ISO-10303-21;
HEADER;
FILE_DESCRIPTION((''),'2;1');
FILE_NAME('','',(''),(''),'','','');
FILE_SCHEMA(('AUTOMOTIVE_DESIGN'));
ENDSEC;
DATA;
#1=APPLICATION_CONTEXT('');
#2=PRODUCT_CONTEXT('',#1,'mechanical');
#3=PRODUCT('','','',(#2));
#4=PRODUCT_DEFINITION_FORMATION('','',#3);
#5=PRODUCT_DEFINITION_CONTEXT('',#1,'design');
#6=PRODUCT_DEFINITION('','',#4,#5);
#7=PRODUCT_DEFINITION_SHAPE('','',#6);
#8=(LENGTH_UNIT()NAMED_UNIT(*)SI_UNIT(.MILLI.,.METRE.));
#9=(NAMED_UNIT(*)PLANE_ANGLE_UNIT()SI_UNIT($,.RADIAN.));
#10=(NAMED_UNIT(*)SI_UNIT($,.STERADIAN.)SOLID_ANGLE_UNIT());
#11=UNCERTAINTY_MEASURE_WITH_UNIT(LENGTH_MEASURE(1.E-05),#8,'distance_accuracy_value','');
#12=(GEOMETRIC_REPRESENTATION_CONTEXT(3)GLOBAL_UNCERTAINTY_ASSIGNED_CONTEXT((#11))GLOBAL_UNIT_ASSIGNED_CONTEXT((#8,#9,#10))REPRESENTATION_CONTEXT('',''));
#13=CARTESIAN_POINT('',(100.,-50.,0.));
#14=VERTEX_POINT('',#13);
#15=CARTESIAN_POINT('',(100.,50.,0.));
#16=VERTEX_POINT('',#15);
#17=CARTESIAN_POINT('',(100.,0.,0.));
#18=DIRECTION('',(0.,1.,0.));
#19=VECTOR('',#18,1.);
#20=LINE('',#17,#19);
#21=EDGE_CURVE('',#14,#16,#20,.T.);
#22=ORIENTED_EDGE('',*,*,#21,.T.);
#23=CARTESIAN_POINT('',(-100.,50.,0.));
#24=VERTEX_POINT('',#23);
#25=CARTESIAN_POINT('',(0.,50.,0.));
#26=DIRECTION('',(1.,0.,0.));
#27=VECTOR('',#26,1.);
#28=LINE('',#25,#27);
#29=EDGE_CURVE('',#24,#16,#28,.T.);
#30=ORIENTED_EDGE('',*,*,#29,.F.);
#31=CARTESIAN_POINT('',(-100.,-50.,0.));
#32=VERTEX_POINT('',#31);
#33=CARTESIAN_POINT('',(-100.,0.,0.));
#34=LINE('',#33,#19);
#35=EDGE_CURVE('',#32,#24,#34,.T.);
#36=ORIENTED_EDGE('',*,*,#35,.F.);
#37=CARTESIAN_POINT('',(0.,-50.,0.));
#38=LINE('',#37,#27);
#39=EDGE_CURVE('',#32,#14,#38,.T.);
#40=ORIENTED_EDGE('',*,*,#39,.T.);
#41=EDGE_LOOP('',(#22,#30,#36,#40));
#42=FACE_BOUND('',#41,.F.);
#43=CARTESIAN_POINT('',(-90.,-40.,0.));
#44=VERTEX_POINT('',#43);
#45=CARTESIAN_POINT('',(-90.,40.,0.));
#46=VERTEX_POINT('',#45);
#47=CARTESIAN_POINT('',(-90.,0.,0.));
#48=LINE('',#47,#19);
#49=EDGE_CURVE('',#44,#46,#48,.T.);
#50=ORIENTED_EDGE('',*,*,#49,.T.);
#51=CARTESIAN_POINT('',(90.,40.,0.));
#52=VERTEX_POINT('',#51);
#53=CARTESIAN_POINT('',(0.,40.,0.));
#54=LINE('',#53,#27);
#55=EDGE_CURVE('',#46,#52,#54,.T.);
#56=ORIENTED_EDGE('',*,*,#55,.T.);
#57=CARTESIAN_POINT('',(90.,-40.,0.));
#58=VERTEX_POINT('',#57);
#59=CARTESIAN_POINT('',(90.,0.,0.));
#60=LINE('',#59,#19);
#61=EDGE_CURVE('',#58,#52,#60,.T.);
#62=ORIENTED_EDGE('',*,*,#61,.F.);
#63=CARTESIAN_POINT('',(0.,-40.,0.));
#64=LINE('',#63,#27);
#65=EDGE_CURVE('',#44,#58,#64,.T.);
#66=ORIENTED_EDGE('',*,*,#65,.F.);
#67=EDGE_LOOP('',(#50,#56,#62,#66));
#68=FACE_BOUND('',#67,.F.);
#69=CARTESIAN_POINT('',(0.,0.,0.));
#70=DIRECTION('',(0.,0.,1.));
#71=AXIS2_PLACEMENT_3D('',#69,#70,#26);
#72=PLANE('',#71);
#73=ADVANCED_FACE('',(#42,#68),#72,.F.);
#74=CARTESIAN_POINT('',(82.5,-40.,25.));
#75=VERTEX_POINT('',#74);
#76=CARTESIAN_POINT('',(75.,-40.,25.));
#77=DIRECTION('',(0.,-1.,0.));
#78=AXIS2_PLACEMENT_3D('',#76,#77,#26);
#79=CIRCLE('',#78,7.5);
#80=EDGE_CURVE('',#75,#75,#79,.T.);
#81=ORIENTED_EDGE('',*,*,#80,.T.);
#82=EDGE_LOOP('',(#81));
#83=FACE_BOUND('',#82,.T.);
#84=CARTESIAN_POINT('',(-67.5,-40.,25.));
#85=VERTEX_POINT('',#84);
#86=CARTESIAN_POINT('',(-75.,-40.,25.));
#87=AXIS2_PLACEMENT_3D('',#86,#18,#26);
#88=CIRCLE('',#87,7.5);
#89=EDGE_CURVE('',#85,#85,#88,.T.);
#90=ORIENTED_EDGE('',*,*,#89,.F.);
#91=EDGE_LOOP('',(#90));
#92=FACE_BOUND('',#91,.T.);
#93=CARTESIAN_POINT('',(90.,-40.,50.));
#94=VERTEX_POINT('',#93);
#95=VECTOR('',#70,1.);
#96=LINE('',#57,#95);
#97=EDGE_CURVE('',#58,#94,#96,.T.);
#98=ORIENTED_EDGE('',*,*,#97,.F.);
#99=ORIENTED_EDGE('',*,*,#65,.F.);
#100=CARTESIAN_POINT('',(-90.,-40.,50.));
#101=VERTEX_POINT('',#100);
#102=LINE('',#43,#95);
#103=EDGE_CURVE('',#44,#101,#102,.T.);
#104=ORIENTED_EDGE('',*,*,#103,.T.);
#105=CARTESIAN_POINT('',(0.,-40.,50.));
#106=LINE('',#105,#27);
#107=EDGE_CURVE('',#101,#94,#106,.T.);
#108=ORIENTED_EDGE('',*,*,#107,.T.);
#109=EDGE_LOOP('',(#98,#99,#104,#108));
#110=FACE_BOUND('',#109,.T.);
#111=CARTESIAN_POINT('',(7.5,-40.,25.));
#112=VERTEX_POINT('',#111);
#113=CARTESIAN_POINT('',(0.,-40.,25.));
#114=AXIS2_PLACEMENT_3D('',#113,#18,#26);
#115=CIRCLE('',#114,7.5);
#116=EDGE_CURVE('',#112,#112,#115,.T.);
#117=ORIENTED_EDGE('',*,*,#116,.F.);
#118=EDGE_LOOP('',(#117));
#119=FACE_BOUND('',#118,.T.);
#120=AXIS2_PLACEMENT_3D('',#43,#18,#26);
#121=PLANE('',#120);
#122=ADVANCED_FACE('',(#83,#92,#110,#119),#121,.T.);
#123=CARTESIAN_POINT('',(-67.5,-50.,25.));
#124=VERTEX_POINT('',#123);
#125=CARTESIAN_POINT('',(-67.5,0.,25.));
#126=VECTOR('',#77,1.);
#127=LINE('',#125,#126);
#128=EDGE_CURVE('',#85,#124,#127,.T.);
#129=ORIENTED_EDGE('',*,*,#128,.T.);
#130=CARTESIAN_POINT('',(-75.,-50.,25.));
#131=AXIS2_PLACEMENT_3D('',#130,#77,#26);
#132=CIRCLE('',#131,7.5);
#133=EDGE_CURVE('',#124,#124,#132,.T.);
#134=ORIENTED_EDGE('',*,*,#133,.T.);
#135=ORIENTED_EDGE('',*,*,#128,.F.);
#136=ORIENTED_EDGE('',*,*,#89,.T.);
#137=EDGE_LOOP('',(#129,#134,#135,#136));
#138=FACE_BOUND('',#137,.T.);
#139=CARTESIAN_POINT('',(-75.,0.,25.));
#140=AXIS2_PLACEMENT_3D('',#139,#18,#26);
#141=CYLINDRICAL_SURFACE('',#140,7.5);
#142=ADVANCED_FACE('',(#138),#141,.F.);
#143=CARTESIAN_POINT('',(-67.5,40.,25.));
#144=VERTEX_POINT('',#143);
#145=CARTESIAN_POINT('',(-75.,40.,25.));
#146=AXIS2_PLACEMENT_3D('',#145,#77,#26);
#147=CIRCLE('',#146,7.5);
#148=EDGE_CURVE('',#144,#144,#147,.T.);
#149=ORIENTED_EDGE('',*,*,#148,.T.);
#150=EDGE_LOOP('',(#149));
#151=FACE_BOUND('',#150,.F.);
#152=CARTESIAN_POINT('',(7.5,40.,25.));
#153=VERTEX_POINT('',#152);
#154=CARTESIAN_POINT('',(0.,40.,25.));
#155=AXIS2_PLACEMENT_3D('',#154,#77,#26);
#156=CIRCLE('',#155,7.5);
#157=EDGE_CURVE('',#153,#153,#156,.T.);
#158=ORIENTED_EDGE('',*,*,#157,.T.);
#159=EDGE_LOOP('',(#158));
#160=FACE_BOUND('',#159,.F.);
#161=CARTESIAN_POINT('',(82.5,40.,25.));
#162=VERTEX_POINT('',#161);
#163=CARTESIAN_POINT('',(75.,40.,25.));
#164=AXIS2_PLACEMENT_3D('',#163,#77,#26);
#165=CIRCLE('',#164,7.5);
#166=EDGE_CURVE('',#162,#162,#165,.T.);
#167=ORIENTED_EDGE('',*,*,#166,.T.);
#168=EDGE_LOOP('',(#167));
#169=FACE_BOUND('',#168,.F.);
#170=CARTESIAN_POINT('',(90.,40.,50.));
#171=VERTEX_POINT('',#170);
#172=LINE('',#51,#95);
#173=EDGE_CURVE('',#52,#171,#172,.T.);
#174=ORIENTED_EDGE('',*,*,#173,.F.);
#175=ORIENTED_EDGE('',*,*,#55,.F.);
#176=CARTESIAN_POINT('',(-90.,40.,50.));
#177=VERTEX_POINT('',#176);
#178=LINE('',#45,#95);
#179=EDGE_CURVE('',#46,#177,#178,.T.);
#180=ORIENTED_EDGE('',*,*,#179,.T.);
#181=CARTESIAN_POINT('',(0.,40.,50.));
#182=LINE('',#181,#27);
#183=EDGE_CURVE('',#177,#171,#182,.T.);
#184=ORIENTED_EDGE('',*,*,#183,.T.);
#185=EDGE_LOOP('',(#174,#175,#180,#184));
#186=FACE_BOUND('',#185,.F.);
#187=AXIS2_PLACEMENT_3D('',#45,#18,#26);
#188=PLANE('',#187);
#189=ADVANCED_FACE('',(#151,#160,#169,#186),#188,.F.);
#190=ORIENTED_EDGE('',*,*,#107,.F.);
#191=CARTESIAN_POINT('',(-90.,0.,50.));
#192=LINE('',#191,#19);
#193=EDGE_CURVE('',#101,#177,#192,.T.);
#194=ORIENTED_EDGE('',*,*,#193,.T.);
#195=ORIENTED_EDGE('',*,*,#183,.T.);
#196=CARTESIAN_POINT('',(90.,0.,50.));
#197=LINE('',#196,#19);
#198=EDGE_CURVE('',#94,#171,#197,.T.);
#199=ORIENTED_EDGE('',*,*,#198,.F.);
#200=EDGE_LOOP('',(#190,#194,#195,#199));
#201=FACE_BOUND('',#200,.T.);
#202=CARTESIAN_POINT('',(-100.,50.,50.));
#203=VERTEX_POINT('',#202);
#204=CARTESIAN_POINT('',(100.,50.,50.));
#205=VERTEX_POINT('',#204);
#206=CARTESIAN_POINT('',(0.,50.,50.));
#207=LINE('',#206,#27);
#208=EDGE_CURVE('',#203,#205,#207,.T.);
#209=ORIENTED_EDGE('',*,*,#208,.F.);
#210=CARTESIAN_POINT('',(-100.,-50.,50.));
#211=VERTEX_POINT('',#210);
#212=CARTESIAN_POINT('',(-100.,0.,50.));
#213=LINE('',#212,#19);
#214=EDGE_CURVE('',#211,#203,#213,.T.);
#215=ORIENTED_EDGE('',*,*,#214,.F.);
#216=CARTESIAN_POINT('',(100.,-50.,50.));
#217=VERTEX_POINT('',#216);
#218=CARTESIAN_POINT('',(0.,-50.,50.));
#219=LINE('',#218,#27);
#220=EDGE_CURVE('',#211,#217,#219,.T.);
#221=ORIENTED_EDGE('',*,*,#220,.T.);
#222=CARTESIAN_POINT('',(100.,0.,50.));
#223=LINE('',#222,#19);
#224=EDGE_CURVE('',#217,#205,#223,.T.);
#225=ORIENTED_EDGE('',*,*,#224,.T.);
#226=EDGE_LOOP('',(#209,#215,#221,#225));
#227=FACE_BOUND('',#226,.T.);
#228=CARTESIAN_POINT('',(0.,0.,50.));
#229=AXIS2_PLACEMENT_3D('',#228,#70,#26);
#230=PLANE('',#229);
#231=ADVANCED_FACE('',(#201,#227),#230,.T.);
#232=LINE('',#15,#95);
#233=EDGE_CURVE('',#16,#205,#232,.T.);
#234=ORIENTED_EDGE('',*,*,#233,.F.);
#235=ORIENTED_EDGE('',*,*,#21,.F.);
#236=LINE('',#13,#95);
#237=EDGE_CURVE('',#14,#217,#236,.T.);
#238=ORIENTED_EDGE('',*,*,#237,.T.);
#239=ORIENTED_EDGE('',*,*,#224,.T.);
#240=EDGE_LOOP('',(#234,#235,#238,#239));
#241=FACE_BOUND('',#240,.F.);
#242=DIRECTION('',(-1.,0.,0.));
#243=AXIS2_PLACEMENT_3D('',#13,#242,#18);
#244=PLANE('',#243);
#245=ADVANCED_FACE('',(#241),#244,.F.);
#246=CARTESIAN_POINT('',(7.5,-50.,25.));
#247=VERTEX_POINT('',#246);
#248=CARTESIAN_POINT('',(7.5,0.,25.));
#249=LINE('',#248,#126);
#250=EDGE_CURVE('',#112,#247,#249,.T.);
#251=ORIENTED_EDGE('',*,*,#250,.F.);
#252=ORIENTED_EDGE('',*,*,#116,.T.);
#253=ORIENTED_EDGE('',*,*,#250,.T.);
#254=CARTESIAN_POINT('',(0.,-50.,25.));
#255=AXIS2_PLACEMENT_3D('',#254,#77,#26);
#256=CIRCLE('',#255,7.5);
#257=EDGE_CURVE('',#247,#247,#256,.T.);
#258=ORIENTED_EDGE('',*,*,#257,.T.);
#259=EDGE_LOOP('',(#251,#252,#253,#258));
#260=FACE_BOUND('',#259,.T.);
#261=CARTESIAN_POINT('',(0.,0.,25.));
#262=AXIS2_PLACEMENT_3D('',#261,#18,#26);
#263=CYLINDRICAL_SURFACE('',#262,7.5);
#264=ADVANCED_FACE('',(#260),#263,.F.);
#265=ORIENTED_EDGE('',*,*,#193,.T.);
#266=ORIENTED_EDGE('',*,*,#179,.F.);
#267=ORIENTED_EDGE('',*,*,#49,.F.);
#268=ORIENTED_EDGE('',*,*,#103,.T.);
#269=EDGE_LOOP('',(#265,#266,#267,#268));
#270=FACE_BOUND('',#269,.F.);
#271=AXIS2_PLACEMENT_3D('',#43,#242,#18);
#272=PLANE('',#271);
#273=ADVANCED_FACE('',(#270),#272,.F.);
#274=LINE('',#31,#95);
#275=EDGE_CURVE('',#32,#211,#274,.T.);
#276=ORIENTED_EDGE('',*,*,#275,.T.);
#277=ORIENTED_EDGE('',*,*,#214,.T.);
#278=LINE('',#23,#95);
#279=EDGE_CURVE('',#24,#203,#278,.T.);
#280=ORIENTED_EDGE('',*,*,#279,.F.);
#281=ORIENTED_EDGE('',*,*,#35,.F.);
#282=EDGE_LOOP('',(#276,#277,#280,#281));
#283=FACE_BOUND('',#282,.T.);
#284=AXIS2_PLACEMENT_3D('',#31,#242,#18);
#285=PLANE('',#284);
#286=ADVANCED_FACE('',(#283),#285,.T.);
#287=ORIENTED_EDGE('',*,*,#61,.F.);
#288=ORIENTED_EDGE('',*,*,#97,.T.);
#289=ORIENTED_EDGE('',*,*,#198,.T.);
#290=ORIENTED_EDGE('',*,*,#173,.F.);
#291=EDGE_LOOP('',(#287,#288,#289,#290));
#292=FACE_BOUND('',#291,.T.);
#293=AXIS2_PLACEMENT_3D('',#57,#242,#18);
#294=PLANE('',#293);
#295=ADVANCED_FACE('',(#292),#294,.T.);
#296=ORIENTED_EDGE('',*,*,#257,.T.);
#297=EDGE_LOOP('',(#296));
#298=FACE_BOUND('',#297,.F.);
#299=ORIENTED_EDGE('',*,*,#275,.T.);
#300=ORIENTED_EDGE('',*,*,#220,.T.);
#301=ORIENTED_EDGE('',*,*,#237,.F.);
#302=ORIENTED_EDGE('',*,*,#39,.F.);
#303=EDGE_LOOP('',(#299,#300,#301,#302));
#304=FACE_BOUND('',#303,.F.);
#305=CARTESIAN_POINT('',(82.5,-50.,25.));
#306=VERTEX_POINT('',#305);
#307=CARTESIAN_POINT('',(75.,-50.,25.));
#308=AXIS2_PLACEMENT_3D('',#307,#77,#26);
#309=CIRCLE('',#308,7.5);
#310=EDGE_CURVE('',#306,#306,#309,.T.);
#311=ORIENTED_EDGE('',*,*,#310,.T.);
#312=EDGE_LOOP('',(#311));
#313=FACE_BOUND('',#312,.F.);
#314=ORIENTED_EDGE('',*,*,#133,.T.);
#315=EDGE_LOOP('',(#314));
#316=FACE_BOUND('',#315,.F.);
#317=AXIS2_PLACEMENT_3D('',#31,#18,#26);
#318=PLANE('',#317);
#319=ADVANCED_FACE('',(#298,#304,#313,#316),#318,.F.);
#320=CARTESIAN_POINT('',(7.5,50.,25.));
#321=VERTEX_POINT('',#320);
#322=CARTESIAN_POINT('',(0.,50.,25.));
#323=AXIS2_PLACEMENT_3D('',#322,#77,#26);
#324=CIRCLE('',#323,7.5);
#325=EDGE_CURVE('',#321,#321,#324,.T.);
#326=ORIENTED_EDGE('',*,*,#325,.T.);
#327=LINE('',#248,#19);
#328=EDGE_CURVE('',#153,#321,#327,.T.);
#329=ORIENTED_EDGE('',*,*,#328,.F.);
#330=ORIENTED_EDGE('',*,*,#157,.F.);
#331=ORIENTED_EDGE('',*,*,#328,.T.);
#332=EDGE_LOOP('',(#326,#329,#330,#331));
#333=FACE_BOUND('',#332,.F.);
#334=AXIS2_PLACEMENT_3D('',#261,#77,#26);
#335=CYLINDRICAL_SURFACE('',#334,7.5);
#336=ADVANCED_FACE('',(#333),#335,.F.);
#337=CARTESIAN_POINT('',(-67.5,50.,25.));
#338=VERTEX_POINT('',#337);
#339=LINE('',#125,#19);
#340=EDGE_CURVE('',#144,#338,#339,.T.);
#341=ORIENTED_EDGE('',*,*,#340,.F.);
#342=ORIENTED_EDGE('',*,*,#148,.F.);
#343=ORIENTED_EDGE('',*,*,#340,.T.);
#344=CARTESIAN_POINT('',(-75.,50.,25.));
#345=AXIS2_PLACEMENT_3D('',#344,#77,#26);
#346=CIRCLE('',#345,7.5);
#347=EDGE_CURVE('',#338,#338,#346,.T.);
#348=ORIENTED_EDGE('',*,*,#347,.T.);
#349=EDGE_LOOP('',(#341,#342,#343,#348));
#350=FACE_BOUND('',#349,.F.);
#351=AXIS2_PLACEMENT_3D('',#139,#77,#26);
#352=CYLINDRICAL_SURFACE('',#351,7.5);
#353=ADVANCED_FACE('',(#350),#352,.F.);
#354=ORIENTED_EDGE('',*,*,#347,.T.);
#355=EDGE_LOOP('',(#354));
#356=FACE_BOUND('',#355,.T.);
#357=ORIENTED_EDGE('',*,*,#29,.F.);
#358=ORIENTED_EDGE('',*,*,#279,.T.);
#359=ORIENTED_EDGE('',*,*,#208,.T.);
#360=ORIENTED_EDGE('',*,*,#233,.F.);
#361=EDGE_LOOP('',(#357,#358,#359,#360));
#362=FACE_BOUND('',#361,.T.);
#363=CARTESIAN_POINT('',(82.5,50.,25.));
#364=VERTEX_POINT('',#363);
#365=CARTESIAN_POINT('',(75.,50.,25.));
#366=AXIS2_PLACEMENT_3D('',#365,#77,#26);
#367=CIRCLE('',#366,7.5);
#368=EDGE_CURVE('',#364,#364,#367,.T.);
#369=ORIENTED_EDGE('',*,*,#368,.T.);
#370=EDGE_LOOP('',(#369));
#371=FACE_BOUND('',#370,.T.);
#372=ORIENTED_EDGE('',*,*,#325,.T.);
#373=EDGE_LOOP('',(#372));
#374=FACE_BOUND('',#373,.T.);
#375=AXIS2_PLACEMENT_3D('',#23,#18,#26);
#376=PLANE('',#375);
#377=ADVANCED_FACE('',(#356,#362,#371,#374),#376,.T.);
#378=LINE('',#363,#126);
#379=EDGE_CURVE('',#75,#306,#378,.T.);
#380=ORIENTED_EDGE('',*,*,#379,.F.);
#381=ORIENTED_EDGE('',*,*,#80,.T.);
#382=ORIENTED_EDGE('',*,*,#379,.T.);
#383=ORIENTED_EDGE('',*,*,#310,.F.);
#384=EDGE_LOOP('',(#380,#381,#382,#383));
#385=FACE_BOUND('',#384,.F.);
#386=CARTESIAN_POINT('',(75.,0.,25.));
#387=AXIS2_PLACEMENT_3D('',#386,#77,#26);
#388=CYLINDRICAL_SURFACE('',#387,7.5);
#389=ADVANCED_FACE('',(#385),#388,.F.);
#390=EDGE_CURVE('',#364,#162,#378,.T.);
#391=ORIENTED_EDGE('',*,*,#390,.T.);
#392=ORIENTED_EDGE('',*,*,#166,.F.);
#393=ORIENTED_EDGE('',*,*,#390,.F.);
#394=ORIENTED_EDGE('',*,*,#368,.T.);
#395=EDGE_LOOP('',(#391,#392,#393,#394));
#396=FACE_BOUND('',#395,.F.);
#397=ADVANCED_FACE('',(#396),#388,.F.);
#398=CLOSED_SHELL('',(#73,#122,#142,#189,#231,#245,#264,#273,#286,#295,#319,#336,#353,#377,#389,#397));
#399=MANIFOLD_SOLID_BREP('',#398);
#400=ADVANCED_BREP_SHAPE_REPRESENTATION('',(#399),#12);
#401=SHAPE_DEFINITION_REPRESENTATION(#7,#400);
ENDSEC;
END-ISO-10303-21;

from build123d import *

# Parameters (mm, degrees)
F0_W     = 200
F0_H     = 100
F0_W_2   = 180
F0_H_2   = 80
F1_DEPTH = 50
F2_R     = 7.5
F3_DEPTH = 50


with BuildPart() as f1:
    # F0 (on Top) → F1 (new body)
    with BuildSketch(Plane.XY):
        Rectangle(F0_W, F0_H)
        Rectangle(F0_W_2, F0_H_2, mode=Mode.SUBTRACT)
    extrude(amount=F1_DEPTH)

    # F2 (on Front) → F3 (cut, symmetric)
    with BuildSketch(Plane.XZ):
        with Locations((0, 25)):
            Circle(F2_R)
        with Locations((-75, 25)):
            Circle(F2_R)
        with Locations((75, 25)):
            Circle(F2_R)
    extrude(amount=F3_DEPTH, both=True, mode=Mode.SUBTRACT)


solid = f1.part
